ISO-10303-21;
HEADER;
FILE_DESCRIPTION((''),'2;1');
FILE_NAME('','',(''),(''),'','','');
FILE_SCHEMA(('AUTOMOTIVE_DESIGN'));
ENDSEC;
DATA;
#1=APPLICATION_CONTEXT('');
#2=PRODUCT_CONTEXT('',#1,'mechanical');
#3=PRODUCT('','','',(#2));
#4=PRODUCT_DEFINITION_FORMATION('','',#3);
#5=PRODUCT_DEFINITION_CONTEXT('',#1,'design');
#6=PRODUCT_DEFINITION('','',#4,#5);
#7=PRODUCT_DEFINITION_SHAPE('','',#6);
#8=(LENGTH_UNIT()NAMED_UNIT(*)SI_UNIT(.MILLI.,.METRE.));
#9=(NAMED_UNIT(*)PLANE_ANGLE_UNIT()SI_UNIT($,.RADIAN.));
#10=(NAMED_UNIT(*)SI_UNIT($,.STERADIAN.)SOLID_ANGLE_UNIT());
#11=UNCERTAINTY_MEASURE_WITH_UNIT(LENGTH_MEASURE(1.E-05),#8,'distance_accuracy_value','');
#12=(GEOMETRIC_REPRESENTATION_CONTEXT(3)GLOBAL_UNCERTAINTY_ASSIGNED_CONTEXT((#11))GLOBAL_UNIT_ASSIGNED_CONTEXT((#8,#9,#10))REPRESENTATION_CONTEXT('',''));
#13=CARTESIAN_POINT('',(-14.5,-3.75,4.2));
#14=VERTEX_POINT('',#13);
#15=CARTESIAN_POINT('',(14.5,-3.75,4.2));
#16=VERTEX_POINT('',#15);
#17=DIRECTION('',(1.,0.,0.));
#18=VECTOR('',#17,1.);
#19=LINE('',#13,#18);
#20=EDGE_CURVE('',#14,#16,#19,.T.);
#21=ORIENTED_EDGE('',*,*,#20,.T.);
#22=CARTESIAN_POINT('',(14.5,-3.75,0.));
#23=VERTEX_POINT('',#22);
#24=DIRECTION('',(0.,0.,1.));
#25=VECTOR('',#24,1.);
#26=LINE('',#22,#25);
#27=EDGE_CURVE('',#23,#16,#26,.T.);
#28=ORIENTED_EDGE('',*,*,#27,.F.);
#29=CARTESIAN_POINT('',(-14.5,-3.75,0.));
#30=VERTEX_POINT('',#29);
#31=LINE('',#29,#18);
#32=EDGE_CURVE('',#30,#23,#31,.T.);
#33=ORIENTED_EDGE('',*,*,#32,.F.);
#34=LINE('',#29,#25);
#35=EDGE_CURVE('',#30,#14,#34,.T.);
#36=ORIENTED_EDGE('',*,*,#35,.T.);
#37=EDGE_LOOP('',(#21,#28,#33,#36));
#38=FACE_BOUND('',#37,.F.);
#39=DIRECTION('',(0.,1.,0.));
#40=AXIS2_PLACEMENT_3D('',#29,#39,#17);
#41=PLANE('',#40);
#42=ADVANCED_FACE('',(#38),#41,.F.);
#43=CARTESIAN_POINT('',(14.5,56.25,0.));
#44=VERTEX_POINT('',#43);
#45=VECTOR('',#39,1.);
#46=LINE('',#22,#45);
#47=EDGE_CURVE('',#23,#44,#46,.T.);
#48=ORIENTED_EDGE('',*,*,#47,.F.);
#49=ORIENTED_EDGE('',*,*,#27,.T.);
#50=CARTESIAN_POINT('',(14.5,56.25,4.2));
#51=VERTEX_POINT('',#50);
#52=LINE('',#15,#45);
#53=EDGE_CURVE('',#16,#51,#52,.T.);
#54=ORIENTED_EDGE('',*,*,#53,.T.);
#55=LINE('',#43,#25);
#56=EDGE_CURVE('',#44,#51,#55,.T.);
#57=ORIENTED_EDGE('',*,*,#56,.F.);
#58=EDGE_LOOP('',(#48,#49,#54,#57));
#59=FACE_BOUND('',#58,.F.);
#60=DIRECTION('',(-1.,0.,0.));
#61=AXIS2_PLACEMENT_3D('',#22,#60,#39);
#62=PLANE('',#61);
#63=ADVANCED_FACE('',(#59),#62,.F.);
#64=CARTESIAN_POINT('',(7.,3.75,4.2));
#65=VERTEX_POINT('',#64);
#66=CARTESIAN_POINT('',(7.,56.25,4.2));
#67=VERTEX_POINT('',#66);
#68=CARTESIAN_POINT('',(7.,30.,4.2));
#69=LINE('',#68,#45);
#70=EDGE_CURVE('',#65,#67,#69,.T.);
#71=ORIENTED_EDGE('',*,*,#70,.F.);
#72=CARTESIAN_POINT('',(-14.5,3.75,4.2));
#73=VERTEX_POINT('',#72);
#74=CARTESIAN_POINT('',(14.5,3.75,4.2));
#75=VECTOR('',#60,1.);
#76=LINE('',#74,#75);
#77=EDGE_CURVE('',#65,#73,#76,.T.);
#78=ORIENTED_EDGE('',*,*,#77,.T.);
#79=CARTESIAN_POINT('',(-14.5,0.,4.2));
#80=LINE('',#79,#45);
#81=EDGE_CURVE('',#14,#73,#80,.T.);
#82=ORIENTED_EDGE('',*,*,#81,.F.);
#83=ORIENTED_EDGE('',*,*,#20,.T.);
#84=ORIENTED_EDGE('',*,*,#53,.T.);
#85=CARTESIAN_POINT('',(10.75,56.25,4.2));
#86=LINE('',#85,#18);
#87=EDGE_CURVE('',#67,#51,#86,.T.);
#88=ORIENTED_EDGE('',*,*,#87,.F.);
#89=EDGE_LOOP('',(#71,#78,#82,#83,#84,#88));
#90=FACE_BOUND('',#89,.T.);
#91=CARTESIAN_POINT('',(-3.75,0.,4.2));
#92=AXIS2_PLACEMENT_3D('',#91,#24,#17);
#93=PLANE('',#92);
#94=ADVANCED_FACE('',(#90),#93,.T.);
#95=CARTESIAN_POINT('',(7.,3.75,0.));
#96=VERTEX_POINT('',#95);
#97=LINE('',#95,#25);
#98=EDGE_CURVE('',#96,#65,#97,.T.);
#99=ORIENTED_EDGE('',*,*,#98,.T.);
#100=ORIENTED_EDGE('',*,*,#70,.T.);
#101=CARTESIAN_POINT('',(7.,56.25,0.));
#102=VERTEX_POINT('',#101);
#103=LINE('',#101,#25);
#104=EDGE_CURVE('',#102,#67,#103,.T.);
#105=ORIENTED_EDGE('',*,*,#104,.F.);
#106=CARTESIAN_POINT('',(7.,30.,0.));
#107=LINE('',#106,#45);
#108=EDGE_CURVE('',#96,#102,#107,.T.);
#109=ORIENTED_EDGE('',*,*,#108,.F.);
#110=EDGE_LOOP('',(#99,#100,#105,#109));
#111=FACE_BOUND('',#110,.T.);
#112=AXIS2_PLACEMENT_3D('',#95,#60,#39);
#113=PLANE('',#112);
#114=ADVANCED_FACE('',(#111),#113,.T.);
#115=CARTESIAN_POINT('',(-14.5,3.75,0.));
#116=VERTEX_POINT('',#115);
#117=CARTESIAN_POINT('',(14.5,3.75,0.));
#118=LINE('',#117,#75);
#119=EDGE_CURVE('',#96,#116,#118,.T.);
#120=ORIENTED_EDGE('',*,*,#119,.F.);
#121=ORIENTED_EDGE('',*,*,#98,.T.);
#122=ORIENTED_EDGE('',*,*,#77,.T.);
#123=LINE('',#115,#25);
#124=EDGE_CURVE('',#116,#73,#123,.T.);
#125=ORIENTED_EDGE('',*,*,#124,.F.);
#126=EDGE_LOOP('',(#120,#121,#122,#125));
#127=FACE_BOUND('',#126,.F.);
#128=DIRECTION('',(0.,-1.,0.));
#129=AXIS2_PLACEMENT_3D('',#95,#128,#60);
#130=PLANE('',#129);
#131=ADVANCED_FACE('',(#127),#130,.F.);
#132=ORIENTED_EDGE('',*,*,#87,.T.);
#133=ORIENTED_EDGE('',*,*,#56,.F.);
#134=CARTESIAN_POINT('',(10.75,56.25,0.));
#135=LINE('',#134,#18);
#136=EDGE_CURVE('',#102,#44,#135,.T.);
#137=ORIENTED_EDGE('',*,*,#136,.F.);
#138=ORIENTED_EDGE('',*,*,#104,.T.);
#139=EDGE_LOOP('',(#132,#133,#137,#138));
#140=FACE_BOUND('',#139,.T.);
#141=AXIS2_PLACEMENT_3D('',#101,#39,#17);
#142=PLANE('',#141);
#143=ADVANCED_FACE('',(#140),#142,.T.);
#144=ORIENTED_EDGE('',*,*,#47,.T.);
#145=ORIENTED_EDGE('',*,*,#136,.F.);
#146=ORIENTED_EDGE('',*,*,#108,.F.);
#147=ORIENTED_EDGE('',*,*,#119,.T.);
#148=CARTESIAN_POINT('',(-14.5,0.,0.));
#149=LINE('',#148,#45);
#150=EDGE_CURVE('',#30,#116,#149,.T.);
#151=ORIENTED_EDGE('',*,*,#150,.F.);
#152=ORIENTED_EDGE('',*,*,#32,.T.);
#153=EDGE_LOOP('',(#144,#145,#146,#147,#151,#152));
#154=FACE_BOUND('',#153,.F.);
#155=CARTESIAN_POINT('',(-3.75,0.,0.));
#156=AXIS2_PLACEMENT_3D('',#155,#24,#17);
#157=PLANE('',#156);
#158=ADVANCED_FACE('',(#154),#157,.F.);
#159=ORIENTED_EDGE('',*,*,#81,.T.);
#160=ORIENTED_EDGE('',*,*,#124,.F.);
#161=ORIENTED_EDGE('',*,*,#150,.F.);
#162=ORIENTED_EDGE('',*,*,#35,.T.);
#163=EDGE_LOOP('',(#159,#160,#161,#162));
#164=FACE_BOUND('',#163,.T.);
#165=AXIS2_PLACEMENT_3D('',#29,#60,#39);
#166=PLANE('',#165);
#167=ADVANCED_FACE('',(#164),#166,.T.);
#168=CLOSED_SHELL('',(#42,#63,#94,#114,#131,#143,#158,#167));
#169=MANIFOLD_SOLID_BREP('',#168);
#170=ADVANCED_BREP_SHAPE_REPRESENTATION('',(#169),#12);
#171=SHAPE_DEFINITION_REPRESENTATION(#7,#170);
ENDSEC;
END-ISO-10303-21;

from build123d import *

# Parameters (mm, degrees)
F0_W     = 21.5
F0_H     = 7.5
F0_W_2   = 7.5
F0_H_2   = 52.5
F1_DEPTH = 4.2


with BuildPart() as f1:
    # F0 (on Top) → F1 (new body)
    with BuildSketch(Plane.XY):
        with Locations((-3.75, 0)):
            Rectangle(F0_W, F0_H)
        with Locations((10.75, 0)):
            Rectangle(F0_W_2, F0_H)
        with Locations((10.75, 30)):
            Rectangle(F0_W_2, F0_H_2)
    extrude(amount=F1_DEPTH)


solid = f1.part
